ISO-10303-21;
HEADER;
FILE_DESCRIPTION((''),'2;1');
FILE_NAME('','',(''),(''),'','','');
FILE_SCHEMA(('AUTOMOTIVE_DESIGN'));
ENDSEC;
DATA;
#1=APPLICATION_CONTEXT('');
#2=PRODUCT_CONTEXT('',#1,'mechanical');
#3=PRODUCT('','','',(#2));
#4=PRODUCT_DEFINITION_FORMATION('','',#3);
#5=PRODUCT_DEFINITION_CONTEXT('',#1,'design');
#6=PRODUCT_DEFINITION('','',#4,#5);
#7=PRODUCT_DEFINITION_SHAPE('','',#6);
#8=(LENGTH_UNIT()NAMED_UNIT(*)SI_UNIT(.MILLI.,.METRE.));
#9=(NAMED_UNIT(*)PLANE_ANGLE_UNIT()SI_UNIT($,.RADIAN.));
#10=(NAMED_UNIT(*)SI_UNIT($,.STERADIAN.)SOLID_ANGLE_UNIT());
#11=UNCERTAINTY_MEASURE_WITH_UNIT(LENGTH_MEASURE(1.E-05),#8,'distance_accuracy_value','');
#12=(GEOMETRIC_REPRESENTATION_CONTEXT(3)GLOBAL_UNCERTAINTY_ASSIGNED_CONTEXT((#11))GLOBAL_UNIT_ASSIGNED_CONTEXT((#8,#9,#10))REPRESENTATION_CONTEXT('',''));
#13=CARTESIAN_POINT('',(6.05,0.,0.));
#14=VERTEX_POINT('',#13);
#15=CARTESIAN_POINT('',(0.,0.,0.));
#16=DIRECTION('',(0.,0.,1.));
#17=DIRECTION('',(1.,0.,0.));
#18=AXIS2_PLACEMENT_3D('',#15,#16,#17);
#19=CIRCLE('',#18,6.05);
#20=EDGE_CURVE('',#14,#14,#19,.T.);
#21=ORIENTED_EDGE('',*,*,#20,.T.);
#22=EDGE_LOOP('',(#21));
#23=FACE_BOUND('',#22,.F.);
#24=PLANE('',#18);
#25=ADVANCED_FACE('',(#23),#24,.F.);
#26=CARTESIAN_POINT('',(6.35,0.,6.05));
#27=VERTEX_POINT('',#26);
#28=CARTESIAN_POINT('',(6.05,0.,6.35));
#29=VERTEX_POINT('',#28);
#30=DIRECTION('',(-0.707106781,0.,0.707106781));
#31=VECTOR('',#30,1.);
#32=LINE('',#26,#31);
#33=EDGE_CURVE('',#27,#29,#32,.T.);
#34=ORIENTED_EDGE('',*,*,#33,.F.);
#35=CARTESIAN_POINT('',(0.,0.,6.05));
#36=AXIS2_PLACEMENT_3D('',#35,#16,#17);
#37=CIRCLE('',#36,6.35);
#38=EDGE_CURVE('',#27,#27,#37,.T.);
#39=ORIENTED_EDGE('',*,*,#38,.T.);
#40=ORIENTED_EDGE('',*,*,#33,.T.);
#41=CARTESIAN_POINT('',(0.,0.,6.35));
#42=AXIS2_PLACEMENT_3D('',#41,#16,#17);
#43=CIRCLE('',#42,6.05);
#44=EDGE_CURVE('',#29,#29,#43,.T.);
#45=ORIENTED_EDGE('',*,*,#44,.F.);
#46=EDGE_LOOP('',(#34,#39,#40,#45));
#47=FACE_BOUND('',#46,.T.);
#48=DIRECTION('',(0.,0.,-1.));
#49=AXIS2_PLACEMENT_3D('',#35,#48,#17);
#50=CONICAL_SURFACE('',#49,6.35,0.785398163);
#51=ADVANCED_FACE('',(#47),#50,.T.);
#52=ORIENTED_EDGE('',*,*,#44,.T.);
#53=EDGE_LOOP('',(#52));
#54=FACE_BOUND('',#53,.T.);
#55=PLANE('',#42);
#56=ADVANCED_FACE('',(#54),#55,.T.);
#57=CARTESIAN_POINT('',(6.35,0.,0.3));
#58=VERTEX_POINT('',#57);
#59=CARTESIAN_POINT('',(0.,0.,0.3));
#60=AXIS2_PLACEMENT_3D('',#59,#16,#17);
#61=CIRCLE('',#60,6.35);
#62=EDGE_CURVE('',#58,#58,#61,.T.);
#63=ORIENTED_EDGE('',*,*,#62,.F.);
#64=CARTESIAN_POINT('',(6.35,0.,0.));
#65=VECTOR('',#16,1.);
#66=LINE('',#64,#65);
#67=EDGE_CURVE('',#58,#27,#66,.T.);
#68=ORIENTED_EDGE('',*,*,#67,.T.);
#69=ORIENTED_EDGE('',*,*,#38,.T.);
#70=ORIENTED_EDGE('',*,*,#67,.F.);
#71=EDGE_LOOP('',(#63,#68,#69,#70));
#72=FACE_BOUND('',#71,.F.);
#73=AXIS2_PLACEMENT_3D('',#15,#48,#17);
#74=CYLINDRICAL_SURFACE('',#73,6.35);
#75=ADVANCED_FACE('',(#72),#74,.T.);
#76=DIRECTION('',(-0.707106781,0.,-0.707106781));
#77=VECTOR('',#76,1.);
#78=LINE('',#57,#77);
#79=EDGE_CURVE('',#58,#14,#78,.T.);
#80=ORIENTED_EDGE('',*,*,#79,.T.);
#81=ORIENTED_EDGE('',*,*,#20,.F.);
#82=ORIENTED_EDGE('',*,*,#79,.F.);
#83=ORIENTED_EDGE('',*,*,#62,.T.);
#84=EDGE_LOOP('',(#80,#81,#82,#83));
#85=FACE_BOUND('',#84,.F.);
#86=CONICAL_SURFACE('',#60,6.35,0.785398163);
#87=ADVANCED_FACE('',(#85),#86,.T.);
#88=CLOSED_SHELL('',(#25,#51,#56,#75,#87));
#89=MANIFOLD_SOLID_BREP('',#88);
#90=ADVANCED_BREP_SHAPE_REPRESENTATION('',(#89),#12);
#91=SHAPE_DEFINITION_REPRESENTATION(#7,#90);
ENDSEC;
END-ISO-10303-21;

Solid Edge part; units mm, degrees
sketch "Sketch1" plane through (0, 0, 0) normal (0, 0, 1) x (1, 0, 0)
  circle A0 centre (0, 0) radius 6.35
extrude "Protrusion1" add sketch "Sketch1" along normal blind 6.35
chamfer "Chamfer_1" distance 0.3 angle 45 2 edges at (-6.35, 0, 6.35) (-6.35, 0, 0)
